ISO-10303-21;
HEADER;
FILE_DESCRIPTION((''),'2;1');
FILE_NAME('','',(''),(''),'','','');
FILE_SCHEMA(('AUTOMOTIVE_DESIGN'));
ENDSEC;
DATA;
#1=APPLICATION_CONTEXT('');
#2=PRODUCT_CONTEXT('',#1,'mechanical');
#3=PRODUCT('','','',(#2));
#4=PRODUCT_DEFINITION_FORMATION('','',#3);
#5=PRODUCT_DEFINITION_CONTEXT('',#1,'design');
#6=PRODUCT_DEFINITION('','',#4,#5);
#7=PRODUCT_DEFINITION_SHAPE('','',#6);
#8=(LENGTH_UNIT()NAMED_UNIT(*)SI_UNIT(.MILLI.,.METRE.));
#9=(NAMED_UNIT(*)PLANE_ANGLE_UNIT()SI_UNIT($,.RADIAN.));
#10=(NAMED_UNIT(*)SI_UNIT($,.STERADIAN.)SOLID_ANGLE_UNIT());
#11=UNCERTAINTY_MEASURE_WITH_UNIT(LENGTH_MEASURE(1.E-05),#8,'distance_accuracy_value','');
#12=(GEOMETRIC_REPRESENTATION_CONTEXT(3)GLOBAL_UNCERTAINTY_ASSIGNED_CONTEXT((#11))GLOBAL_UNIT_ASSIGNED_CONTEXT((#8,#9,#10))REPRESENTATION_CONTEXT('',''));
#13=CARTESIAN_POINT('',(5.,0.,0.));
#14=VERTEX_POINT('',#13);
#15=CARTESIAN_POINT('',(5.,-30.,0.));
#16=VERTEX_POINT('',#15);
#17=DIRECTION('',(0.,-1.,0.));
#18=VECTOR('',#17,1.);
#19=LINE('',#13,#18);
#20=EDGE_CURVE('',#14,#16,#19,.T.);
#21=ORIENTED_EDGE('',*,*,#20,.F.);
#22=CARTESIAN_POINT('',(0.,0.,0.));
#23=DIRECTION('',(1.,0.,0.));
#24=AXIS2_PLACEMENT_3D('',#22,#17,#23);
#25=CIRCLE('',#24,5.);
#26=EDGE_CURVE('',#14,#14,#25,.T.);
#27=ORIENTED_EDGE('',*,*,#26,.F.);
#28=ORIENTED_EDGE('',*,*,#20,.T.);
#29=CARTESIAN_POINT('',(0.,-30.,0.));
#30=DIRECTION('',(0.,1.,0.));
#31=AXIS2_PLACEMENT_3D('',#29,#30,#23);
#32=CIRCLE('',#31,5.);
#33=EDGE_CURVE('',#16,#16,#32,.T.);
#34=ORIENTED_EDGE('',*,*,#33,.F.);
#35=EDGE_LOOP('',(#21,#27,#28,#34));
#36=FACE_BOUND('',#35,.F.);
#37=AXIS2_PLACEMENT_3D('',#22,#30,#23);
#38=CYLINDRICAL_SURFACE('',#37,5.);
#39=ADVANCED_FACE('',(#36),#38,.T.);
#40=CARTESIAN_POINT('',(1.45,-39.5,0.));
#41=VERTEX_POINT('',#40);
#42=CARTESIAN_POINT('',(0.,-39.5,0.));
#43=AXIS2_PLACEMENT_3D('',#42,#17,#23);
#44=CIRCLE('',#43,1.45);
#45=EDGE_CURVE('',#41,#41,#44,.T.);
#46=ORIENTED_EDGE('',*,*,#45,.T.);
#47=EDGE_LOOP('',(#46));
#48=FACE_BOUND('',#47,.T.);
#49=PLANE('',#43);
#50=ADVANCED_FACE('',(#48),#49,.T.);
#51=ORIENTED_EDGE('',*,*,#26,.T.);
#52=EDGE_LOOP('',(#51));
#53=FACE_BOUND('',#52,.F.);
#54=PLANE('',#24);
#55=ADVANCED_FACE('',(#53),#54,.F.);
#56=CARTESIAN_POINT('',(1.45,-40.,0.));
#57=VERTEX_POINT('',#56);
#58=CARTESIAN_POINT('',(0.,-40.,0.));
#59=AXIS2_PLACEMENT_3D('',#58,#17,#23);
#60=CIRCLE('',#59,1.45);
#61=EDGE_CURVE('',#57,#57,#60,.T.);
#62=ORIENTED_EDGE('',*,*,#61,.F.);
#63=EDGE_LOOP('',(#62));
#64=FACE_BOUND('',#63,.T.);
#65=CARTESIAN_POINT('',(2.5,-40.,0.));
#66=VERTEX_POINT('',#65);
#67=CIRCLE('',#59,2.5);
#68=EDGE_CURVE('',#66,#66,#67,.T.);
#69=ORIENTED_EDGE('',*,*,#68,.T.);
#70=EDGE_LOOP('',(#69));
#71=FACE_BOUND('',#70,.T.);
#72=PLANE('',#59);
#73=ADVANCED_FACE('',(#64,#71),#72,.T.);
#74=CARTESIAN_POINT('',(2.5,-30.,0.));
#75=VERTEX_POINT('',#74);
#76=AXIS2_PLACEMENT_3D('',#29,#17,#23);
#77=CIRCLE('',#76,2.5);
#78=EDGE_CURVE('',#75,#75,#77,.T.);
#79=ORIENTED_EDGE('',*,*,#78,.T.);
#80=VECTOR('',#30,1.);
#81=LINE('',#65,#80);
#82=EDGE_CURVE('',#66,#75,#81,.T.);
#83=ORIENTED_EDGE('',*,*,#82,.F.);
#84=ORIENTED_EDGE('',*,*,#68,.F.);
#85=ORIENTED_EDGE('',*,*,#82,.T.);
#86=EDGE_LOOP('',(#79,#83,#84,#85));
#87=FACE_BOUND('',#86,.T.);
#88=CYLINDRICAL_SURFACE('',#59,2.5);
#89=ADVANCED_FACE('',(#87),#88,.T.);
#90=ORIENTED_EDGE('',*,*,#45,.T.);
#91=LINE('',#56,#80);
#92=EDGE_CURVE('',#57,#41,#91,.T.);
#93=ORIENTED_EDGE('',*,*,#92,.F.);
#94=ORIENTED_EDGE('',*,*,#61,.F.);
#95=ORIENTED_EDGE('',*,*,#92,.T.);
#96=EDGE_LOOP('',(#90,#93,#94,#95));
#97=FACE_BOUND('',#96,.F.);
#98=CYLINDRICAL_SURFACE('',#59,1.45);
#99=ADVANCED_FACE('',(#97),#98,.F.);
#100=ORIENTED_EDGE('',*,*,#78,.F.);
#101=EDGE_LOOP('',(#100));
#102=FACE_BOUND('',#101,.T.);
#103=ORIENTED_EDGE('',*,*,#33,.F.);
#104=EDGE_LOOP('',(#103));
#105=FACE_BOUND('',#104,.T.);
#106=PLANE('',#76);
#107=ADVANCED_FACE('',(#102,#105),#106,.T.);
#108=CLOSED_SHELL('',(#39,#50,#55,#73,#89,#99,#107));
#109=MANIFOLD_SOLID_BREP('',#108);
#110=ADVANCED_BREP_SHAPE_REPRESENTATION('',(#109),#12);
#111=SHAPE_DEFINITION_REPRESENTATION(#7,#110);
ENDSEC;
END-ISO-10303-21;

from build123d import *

# Parameters (mm, degrees)
F0_R     = 5
F1_DEPTH = 40
F2_R     = 5.5
F2_R_2   = 2.5
F3_DEPTH = 10
F4_R     = 1.45
F5_DEPTH = 0.5


with BuildPart() as f1:
    # F0 (on Front) → F1 (new body)
    with BuildSketch(Plane.XZ):
        Circle(F0_R)
    extrude(amount=F1_DEPTH)

    # F2 (on face) → F3 (cut)
    with BuildSketch(Plane.XZ.offset(40)):
        Circle(F2_R)
        Circle(F2_R_2, mode=Mode.SUBTRACT)
    extrude(amount=-F3_DEPTH, mode=Mode.SUBTRACT)

    # F4 (on face) → F5 (cut)
    with BuildSketch(Plane.XZ.offset(40)):
        Circle(F4_R)
    extrude(amount=-F5_DEPTH, mode=Mode.SUBTRACT)


solid = f1.part
